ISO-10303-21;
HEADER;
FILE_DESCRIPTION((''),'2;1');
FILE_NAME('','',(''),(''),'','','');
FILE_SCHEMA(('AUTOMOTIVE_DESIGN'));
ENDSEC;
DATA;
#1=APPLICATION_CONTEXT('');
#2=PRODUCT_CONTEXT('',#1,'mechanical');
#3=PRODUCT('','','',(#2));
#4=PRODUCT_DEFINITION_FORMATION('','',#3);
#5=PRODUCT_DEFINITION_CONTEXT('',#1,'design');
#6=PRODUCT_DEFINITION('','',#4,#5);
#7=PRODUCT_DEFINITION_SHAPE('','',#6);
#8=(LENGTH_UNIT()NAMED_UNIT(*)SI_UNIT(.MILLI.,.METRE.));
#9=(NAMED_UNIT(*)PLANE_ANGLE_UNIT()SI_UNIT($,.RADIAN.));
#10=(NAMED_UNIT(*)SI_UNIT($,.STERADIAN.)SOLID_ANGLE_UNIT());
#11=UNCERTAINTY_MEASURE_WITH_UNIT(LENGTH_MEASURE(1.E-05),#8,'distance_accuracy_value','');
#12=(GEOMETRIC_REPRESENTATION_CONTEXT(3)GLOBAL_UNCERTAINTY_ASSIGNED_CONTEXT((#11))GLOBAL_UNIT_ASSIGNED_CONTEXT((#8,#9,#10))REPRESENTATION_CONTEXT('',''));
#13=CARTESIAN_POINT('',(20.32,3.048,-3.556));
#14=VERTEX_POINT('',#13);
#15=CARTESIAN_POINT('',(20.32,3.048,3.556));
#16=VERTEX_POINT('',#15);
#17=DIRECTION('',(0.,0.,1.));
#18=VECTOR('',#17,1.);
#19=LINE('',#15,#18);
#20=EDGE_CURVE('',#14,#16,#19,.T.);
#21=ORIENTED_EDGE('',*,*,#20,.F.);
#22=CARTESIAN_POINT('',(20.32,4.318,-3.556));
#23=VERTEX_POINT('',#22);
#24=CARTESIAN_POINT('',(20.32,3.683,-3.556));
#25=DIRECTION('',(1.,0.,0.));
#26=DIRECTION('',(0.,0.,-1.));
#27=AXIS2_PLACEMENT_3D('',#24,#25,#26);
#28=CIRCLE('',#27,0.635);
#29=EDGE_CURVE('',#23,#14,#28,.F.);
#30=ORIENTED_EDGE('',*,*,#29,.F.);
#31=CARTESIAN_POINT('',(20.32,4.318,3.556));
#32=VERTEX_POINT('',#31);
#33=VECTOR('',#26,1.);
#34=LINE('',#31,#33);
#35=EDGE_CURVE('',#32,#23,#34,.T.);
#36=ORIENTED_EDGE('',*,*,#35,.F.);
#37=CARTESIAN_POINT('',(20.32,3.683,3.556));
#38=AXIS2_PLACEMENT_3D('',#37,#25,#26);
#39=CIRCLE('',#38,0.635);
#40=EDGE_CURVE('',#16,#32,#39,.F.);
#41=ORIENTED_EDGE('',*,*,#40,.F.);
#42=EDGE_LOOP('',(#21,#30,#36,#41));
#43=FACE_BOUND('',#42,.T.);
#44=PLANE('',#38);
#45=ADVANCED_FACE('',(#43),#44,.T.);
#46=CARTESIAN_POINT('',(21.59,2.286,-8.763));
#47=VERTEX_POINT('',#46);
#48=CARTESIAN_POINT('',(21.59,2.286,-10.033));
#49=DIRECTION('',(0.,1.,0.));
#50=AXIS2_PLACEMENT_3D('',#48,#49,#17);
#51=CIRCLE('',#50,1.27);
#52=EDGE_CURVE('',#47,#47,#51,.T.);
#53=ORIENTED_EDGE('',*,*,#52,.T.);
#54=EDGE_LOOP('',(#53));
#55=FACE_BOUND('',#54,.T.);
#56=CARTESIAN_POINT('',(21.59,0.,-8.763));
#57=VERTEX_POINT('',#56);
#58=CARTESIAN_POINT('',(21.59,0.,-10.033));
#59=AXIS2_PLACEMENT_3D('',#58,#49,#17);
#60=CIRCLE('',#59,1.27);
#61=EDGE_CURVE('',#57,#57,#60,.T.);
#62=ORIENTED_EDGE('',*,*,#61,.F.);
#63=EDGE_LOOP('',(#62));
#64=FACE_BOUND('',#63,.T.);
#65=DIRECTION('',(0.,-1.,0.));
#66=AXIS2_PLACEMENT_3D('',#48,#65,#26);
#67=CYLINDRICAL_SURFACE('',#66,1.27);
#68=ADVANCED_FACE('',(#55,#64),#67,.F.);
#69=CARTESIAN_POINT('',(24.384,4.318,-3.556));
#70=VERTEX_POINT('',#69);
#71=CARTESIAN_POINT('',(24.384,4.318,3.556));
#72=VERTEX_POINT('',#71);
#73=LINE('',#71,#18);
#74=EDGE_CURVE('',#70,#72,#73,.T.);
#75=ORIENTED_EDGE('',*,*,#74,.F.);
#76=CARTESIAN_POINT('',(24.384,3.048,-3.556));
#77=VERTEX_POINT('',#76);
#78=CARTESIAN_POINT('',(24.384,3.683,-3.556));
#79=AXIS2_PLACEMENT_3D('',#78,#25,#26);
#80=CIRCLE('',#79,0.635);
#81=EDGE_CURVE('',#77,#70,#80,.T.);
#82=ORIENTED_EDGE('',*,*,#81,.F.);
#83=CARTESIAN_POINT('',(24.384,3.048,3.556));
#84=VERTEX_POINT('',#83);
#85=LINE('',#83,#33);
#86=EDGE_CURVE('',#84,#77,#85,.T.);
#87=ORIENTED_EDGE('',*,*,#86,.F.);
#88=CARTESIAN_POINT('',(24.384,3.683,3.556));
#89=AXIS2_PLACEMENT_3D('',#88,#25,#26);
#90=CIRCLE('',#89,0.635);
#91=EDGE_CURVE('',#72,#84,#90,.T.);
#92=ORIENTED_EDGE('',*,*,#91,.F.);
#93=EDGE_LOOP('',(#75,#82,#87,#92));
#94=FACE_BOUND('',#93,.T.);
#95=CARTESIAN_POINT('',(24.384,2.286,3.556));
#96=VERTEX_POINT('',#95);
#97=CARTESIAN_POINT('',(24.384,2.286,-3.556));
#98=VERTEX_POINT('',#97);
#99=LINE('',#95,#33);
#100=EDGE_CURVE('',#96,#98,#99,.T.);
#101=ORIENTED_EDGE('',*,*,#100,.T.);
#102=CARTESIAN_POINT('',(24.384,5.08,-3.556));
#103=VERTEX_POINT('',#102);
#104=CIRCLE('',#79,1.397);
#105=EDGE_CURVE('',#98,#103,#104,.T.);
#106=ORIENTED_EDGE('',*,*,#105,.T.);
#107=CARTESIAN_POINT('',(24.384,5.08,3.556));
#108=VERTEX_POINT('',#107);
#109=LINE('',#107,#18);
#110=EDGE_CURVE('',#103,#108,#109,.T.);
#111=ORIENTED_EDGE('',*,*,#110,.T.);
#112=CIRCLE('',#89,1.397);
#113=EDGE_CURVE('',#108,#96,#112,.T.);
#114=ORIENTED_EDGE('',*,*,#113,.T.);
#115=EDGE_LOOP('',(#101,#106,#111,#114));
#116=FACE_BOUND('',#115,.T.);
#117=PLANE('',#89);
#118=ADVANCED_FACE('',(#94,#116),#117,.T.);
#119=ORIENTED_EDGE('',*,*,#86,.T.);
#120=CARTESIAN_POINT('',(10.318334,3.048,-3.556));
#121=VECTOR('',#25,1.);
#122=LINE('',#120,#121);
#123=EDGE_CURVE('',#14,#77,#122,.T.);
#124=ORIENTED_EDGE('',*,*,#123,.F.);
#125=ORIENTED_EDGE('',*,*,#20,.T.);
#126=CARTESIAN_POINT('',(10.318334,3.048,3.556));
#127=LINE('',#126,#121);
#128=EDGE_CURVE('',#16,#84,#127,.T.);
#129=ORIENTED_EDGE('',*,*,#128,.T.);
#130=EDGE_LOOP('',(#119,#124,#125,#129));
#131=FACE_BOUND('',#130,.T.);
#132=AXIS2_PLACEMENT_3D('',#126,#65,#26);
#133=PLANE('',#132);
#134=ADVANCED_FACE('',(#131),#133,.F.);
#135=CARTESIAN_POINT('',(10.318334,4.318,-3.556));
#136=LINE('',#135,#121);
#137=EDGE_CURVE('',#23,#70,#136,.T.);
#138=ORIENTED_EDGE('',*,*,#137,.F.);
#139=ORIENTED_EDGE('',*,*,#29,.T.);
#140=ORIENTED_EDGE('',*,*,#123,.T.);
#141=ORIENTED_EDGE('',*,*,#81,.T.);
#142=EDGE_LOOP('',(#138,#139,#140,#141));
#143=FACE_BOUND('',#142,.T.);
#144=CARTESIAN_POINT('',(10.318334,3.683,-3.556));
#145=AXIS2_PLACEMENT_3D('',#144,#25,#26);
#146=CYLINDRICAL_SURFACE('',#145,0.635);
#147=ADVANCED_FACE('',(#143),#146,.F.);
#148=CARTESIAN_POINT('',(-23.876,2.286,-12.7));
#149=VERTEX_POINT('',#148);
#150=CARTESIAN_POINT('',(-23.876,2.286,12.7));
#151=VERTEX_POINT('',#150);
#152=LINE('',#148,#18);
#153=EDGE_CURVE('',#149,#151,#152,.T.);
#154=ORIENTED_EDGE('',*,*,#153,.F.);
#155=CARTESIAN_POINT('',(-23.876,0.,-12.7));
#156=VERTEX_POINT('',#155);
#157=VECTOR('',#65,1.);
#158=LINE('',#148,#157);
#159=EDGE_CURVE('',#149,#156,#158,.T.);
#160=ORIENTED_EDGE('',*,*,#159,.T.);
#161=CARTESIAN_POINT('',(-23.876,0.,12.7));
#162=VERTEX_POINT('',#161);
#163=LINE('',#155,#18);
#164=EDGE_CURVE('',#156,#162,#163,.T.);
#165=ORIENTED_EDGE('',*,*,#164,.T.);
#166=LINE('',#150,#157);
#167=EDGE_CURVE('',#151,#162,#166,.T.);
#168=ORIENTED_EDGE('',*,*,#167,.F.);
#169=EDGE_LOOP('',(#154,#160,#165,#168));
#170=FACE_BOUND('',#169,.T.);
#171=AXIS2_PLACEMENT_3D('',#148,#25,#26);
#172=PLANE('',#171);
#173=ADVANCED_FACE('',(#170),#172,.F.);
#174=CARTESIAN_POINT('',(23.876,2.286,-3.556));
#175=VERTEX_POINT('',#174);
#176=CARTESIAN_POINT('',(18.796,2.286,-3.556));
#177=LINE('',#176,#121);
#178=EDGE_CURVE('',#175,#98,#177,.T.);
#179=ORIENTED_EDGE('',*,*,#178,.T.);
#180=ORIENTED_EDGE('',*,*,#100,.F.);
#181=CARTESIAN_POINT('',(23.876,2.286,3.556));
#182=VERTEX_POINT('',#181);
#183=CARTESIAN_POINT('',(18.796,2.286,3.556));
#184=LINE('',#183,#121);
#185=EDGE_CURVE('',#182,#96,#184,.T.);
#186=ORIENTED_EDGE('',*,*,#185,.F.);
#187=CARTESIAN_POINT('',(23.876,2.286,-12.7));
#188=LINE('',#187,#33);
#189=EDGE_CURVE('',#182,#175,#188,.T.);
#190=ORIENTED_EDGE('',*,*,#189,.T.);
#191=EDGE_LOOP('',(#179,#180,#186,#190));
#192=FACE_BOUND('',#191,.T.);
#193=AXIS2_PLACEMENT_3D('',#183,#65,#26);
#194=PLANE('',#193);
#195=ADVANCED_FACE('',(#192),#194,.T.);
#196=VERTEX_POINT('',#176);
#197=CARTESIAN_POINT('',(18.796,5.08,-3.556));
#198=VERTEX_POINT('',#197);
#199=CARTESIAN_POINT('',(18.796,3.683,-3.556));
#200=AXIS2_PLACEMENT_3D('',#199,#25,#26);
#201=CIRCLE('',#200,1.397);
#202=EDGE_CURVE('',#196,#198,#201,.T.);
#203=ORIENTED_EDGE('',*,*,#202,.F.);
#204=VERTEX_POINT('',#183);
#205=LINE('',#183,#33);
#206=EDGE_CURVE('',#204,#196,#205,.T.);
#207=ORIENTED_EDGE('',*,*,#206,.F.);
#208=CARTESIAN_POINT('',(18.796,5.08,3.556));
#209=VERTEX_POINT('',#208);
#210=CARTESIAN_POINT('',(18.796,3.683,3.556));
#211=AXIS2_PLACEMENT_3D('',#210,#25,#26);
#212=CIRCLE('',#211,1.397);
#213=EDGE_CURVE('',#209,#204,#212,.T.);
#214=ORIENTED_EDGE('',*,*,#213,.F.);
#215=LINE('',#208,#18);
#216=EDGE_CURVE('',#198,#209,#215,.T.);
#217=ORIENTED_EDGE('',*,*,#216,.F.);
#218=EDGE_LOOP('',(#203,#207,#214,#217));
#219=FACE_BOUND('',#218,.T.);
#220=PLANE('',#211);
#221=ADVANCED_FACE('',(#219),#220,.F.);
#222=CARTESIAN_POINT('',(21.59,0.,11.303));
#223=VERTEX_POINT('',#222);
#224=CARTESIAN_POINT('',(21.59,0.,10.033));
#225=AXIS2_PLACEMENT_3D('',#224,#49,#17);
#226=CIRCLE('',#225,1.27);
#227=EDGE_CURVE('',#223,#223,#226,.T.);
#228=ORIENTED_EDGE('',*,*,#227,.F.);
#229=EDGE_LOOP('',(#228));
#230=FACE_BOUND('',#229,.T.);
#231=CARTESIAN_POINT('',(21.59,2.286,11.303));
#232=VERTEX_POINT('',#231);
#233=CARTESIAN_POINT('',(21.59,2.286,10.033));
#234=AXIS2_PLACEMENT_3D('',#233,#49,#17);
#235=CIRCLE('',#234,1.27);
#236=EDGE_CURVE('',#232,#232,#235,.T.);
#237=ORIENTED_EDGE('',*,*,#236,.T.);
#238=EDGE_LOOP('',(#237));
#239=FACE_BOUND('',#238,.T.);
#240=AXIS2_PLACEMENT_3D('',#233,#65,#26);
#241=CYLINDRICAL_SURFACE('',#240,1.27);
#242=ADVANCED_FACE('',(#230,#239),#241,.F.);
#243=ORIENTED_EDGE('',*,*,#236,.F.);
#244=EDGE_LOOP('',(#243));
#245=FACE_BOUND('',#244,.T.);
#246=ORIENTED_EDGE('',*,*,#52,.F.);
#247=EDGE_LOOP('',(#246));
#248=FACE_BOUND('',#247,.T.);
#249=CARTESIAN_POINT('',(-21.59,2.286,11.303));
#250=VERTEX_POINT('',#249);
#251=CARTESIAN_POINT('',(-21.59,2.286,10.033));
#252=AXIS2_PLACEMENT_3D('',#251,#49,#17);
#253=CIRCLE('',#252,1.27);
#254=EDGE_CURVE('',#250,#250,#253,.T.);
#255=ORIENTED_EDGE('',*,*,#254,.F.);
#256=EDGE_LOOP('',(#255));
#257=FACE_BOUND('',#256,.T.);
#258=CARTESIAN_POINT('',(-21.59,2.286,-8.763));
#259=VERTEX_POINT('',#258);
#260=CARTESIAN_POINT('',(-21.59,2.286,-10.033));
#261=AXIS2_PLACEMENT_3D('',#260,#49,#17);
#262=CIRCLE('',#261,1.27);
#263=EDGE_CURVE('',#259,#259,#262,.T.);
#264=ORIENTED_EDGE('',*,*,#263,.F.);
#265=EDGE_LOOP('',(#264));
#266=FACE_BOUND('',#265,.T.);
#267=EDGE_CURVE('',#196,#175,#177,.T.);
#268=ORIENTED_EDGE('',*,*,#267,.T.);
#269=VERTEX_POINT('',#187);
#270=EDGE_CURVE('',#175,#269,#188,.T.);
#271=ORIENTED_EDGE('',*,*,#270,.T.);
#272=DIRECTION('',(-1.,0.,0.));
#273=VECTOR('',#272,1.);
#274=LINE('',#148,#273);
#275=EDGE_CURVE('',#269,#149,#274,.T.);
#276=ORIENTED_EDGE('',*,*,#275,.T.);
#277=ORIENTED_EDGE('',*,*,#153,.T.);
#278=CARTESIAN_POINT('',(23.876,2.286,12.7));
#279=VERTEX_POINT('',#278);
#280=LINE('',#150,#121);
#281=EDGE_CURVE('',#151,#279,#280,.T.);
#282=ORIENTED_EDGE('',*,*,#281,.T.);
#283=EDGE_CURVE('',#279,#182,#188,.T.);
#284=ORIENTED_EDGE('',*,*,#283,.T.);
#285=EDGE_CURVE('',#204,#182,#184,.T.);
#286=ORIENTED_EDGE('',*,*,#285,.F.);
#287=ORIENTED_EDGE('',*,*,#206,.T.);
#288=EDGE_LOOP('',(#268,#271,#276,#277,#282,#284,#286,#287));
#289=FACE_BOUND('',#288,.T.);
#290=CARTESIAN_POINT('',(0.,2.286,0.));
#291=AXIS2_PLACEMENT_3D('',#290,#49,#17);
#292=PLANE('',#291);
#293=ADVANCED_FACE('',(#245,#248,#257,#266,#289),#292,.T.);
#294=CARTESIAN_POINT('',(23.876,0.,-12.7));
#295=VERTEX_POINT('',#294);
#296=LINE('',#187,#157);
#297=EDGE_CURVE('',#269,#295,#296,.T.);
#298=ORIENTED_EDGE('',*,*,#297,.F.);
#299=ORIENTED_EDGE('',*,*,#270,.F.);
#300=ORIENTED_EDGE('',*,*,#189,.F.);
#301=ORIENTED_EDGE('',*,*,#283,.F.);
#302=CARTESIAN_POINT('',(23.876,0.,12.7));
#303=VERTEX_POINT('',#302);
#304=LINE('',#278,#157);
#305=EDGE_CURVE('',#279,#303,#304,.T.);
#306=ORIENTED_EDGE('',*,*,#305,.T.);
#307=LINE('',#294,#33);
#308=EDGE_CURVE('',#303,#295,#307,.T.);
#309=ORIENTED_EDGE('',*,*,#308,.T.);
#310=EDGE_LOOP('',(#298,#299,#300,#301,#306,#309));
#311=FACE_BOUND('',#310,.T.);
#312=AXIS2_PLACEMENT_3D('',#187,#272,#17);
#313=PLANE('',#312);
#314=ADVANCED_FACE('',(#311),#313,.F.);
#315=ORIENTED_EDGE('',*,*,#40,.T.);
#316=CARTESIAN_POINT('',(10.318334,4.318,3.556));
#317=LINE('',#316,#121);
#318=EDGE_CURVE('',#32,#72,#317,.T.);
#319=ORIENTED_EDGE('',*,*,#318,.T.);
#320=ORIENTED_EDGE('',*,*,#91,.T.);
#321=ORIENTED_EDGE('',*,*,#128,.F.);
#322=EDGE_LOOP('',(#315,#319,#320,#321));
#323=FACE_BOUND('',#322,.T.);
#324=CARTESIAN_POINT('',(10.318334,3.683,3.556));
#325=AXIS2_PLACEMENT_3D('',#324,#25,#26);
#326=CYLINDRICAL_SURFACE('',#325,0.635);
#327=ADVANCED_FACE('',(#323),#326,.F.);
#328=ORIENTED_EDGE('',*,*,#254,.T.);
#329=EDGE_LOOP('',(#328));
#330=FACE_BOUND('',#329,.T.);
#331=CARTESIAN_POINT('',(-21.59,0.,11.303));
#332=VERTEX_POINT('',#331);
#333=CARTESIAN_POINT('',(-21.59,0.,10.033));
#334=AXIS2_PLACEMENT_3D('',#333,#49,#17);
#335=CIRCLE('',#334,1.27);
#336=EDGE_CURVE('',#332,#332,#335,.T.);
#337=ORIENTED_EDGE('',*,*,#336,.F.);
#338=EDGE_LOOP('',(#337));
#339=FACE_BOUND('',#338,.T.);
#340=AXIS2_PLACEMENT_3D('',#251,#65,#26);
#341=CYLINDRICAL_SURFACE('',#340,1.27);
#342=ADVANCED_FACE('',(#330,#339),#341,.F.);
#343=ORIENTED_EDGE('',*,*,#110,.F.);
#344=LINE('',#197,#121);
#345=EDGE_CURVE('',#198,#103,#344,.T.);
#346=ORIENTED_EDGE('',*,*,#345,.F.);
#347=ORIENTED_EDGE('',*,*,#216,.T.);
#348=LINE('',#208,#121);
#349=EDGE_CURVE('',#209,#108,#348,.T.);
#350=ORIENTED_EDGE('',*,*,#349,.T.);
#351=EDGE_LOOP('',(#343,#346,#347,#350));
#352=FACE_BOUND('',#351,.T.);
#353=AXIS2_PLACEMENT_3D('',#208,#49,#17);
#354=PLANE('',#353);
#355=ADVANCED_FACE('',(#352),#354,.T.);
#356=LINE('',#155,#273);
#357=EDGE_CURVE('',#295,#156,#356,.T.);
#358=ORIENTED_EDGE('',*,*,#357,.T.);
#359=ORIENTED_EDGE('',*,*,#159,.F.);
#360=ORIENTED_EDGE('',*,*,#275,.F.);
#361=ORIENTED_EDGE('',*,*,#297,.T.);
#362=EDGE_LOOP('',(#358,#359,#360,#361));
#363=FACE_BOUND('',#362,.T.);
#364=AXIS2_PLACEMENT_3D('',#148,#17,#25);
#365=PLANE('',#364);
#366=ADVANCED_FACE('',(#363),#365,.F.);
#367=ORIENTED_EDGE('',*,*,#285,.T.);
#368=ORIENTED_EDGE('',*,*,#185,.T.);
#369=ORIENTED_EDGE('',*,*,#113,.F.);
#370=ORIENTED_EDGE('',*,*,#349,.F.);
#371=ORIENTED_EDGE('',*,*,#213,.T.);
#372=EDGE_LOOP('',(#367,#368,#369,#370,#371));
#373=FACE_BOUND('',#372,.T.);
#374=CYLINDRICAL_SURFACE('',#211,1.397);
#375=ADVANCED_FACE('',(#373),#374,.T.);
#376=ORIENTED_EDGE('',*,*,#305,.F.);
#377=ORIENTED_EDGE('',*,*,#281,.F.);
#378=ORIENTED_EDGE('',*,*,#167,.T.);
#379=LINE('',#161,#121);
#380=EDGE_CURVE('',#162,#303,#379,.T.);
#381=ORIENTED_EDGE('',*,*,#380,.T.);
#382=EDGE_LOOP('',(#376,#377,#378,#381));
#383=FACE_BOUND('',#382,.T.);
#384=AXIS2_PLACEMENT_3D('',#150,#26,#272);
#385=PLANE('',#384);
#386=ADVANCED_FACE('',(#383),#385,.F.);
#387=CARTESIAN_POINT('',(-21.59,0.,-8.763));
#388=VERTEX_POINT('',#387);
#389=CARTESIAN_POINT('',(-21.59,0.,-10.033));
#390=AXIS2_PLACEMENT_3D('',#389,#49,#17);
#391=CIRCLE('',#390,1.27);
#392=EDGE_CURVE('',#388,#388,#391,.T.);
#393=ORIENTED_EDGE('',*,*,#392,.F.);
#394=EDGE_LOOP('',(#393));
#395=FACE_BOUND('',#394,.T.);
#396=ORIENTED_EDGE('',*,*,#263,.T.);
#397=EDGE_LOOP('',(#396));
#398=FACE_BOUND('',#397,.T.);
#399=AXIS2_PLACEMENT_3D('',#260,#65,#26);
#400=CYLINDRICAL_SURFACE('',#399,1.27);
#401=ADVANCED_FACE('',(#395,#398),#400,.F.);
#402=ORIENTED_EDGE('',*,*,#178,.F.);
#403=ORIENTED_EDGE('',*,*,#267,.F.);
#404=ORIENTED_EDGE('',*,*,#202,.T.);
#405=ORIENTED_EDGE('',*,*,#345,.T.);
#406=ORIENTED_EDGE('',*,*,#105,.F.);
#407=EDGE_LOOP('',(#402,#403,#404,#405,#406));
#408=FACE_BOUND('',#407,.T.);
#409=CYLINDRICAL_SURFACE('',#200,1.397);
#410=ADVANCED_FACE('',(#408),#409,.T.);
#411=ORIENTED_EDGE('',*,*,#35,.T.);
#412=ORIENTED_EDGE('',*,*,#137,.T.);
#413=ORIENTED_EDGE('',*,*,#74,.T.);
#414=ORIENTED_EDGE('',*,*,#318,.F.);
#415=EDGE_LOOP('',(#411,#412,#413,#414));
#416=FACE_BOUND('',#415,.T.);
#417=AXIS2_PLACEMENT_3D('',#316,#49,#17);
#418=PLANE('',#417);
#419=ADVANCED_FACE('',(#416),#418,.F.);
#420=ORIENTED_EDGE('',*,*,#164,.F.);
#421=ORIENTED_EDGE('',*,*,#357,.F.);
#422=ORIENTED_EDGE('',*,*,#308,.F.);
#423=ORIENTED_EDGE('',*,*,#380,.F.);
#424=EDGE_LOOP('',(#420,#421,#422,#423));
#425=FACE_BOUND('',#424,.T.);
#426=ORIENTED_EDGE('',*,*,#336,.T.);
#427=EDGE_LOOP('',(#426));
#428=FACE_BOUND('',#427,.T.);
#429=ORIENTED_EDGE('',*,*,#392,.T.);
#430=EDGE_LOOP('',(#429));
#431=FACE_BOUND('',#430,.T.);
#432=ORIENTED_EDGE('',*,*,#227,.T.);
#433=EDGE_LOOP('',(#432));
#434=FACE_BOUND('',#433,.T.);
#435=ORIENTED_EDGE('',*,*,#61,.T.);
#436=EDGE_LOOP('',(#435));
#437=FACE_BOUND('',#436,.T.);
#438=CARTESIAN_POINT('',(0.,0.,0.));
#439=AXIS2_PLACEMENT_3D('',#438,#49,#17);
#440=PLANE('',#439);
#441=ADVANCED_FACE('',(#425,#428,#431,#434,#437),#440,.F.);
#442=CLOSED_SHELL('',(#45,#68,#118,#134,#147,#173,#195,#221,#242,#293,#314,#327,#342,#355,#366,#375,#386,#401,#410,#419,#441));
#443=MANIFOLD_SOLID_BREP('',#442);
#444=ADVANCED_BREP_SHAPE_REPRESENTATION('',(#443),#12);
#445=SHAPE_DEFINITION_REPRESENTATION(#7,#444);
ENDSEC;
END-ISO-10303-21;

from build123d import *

# Parameters (mm, degrees)
SKETCH1_W                = 47.752
SKETCH1_H                = 25.4
SKETCH1_R                = 1.27
BOSS_EXTRUDE1_DEPTH      = 2.286
BOSS_EXTRUDE2_DEPTH      = 0.508
BOSS_EXTRUDE2_DEPTH_BACK = 5.08
CUT_EXTRUDE1_DEPTH       = 4.064


with BuildPart() as part:
    # Sketch1 → Boss-Extrude1 (new body)
    with BuildSketch(Plane(origin=(0, 0, 0), x_dir=(1, 0, 0), z_dir=(0, 1, 0))):
        Rectangle(SKETCH1_W, SKETCH1_H)
        with Locations(Location((-21.59, 10.033, 0), (0, 0, 270))):
            Circle(SKETCH1_R, mode=Mode.SUBTRACT)
        with Locations(Location((21.59, 10.033, 0), (0, 0, 270))):
            Circle(SKETCH1_R, mode=Mode.SUBTRACT)
        with Locations(Location((-21.59, -10.033, 0), (0, 0, 270))):
            Circle(SKETCH1_R, mode=Mode.SUBTRACT)
        with Locations(Location((21.59, -10.033, 0), (0, 0, 270))):
            Circle(SKETCH1_R, mode=Mode.SUBTRACT)
    extrude(amount=BOSS_EXTRUDE1_DEPTH)

    # Sketch2 → Boss-Extrude2 (add, two sides: drawn at the far end of the back side and taken through both)
    with BuildSketch(Plane(origin=(23.876, 0, 0), x_dir=(0, 0, -1), z_dir=(1, 0, 0)).offset(-BOSS_EXTRUDE2_DEPTH_BACK)):
        with BuildLine():
            Line((-3.556, 5.08), (3.556, 5.08))
            ThreePointArc((3.556, 5.08), (4.953, 3.683), (3.556, 2.286))
            Line((3.556, 2.286), (-3.556, 2.286))
            ThreePointArc((-3.556, 2.286), (-4.953, 3.683), (-3.556, 5.08))
        make_face()
    extrude(amount=BOSS_EXTRUDE2_DEPTH + BOSS_EXTRUDE2_DEPTH_BACK)

    # Sketch3 → Cut-Extrude1 (cut)
    with BuildSketch(Plane(origin=(24.384, 0, 0), x_dir=(0, 0, -1), z_dir=(1, 0, 0))):
        with BuildLine():
            Line((-3.556, 4.318), (3.556, 4.318))
            ThreePointArc((3.556, 4.318), (4.191, 3.683), (3.556, 3.048))
            Line((3.556, 3.048), (-3.556, 3.048))
            ThreePointArc((-3.556, 3.048), (-4.191, 3.683), (-3.556, 4.318))
        make_face()
    extrude(amount=-CUT_EXTRUDE1_DEPTH, mode=Mode.SUBTRACT)


solid = part.part
